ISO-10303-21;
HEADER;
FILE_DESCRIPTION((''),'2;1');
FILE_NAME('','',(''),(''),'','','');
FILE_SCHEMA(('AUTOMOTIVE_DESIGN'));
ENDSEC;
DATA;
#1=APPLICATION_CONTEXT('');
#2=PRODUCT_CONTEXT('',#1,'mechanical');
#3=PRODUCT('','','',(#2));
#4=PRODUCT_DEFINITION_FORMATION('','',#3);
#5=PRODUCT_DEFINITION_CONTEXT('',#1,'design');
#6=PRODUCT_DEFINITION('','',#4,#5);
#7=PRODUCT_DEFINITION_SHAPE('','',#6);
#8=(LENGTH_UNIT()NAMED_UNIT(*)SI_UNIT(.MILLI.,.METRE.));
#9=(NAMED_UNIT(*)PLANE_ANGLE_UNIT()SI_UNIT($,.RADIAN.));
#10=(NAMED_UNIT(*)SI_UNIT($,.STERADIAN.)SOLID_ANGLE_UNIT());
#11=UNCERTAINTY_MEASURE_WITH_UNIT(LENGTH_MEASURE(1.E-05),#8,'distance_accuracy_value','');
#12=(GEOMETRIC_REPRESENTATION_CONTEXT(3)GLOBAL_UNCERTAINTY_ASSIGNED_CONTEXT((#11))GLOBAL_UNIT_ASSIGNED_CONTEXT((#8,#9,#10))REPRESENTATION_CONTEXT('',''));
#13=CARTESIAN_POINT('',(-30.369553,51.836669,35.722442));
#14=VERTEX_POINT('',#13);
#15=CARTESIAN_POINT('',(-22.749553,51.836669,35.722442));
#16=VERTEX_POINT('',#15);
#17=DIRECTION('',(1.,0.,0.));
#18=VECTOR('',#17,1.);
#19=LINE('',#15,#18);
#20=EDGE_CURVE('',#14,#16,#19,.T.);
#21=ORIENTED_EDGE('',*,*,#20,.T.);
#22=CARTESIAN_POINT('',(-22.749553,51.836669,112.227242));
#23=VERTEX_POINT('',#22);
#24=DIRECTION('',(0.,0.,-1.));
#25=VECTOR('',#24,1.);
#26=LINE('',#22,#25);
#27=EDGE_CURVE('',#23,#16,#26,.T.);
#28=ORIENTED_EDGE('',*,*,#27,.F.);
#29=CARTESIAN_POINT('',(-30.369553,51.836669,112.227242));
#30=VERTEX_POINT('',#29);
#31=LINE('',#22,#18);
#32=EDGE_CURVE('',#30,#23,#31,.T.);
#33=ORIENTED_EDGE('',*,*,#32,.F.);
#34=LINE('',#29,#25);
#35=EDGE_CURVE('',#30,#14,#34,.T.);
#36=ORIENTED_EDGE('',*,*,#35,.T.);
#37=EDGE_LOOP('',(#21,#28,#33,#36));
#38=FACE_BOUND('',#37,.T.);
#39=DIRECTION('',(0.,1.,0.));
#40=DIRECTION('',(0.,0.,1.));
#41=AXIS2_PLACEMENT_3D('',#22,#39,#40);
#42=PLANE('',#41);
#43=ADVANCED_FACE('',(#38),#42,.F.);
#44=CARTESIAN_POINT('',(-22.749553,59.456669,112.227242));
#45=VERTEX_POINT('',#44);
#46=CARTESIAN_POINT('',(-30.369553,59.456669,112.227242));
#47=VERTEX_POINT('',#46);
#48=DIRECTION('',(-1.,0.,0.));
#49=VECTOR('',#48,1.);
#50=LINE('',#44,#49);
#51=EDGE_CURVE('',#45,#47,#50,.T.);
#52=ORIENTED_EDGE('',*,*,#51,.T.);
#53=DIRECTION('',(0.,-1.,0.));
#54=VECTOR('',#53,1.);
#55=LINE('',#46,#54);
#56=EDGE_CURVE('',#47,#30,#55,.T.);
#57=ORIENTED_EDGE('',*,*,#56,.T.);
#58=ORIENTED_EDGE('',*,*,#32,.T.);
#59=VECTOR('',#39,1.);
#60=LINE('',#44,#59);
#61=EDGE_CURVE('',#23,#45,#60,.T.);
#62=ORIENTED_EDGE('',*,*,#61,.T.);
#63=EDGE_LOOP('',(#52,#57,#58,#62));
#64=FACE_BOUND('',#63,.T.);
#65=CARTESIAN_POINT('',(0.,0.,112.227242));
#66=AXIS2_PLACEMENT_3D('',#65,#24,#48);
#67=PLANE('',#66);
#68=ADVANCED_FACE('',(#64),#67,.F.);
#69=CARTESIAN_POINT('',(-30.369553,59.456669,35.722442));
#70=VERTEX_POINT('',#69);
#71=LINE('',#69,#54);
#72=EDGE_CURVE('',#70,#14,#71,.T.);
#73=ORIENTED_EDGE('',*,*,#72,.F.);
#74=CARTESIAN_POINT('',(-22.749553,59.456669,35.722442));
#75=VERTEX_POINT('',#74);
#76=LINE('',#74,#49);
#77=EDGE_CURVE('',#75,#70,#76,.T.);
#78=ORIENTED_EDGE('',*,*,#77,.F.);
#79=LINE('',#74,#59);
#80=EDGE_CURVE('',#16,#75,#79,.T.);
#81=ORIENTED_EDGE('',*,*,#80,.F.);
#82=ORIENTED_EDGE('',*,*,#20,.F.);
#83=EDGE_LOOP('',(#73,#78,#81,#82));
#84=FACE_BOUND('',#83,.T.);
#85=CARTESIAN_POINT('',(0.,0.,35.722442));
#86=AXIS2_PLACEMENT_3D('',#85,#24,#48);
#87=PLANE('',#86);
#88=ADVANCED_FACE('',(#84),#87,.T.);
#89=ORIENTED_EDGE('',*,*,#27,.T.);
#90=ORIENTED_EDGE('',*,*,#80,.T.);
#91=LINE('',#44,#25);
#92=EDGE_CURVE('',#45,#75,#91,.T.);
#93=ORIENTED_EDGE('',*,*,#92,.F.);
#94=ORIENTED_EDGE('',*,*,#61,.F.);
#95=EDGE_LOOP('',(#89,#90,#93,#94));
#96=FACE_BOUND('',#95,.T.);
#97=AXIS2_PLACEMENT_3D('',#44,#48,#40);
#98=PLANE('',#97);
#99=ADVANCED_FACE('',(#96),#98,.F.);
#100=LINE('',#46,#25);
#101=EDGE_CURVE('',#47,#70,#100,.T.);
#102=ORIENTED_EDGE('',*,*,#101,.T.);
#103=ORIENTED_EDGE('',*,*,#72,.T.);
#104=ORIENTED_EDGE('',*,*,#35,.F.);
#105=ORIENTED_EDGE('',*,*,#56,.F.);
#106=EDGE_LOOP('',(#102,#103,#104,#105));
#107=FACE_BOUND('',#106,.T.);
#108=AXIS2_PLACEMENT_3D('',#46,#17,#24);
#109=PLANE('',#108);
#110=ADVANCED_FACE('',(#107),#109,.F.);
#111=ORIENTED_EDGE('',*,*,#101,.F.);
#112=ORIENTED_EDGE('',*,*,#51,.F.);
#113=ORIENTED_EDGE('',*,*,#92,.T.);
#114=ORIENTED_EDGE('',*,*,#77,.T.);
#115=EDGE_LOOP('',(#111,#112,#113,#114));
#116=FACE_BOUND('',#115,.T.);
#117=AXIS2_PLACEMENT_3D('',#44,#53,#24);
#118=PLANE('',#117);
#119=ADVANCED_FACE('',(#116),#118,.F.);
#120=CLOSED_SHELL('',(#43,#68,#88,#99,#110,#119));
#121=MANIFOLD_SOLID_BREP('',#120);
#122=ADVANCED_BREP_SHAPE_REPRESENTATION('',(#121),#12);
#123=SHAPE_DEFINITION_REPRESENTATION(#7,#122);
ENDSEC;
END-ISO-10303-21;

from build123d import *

# Parameters (mm, degrees)
SKETCH1_W           = 7.62
SKETCH1_H           = 7.62
BOSS_EXTRUDE1_DEPTH = 76.5048


with BuildPart() as part:
    # Sketch1 → Boss-Extrude1 (new body)
    with BuildSketch(Plane.XY.offset(35.722441806)):
        with Locations((-26.559553377, 55.646669294)):
            Rectangle(SKETCH1_W, SKETCH1_H)
    extrude(amount=BOSS_EXTRUDE1_DEPTH)


solid = part.part
